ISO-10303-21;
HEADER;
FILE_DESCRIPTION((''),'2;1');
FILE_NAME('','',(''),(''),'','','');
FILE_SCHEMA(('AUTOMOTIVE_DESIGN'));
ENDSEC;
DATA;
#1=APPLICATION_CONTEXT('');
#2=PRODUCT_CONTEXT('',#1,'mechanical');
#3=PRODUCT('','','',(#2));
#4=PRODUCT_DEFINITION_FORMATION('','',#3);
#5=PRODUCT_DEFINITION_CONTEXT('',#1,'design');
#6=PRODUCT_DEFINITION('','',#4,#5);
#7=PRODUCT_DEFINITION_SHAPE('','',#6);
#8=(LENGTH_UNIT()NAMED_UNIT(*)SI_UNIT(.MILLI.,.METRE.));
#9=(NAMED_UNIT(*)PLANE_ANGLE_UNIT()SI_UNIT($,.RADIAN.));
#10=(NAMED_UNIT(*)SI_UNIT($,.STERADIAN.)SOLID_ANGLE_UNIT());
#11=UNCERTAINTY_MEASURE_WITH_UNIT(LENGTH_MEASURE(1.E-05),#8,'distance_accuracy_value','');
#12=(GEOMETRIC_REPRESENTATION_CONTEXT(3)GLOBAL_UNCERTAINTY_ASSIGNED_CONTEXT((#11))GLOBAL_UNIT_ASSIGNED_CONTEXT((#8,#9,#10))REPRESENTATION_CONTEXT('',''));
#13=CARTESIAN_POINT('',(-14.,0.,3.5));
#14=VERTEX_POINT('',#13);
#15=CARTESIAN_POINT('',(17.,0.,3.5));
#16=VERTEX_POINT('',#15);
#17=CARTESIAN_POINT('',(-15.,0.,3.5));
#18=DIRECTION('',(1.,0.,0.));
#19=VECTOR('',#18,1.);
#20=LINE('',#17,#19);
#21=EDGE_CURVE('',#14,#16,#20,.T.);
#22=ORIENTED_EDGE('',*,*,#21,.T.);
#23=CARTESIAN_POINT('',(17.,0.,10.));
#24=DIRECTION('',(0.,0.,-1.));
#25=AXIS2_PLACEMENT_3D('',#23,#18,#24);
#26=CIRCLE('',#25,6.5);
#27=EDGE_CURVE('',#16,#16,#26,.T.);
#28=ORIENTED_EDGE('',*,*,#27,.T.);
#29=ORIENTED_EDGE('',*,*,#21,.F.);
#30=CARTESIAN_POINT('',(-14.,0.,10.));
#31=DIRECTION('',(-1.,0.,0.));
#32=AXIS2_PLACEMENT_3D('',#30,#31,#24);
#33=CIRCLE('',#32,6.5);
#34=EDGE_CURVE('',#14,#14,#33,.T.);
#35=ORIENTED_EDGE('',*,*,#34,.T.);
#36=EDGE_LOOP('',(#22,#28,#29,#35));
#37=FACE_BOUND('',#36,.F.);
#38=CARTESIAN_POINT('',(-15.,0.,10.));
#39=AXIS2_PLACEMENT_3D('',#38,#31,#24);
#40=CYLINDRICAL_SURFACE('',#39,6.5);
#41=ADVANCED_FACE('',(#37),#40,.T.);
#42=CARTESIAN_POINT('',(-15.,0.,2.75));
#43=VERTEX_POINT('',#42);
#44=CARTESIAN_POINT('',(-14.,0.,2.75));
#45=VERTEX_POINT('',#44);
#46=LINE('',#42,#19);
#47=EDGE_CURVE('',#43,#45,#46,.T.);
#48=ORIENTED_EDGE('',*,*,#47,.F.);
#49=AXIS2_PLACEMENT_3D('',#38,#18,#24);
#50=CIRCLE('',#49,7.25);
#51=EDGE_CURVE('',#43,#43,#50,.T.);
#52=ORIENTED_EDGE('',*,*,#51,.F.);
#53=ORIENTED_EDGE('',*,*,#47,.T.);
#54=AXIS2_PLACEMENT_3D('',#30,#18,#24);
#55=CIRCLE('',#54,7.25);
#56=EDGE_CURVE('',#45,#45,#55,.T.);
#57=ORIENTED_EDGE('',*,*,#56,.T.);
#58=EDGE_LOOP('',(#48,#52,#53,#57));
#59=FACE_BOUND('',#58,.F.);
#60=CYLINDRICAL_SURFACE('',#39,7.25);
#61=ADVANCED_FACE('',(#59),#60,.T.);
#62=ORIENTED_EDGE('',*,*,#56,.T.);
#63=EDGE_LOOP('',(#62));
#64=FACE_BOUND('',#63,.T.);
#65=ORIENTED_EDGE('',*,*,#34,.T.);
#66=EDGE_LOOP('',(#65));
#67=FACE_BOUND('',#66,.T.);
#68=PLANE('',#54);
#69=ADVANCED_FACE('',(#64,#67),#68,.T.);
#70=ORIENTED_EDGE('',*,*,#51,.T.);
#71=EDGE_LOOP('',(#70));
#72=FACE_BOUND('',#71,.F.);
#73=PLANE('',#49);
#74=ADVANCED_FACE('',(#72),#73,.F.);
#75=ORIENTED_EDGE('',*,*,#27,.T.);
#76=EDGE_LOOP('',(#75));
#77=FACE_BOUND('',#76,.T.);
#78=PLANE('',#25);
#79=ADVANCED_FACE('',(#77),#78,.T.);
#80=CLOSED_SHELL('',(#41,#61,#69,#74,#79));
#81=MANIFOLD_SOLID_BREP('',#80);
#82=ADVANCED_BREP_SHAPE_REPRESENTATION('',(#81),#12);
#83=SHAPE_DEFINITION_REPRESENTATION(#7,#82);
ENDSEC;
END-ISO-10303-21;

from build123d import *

# Parameters (mm, degrees)
CYLINDER001_R          = 7.25
CYLINDER001_DEPTH      = 1
CYLINDER_R             = 6.5
CYLINDER_DEPTH         = 32
FUSION_PLACEMENT_ANGLE = 90


with BuildPart() as cylinder001:
    # Cylinder001 → Cylinder001 (new body)
    with BuildSketch(Plane.XY):
        Circle(CYLINDER001_R)
    extrude(amount=CYLINDER001_DEPTH)


with BuildPart() as lasermoduletemplate:
    # Cylinder → Cylinder (new body)
    with BuildSketch(Plane.XY):
        Circle(CYLINDER_R)
    extrude(amount=CYLINDER_DEPTH)

    # Fusion: union Cylinder001
    add(cylinder001.part)


with BuildPart() as lasermoduletemplate_1:
    # Fusion placement: moved
    add(lasermoduletemplate.part.moved(Location((-15, 0, 10))).rotate(Axis((-15, 0, 10), (0, 1, 0)), FUSION_PLACEMENT_ANGLE))


solid = lasermoduletemplate_1.part
